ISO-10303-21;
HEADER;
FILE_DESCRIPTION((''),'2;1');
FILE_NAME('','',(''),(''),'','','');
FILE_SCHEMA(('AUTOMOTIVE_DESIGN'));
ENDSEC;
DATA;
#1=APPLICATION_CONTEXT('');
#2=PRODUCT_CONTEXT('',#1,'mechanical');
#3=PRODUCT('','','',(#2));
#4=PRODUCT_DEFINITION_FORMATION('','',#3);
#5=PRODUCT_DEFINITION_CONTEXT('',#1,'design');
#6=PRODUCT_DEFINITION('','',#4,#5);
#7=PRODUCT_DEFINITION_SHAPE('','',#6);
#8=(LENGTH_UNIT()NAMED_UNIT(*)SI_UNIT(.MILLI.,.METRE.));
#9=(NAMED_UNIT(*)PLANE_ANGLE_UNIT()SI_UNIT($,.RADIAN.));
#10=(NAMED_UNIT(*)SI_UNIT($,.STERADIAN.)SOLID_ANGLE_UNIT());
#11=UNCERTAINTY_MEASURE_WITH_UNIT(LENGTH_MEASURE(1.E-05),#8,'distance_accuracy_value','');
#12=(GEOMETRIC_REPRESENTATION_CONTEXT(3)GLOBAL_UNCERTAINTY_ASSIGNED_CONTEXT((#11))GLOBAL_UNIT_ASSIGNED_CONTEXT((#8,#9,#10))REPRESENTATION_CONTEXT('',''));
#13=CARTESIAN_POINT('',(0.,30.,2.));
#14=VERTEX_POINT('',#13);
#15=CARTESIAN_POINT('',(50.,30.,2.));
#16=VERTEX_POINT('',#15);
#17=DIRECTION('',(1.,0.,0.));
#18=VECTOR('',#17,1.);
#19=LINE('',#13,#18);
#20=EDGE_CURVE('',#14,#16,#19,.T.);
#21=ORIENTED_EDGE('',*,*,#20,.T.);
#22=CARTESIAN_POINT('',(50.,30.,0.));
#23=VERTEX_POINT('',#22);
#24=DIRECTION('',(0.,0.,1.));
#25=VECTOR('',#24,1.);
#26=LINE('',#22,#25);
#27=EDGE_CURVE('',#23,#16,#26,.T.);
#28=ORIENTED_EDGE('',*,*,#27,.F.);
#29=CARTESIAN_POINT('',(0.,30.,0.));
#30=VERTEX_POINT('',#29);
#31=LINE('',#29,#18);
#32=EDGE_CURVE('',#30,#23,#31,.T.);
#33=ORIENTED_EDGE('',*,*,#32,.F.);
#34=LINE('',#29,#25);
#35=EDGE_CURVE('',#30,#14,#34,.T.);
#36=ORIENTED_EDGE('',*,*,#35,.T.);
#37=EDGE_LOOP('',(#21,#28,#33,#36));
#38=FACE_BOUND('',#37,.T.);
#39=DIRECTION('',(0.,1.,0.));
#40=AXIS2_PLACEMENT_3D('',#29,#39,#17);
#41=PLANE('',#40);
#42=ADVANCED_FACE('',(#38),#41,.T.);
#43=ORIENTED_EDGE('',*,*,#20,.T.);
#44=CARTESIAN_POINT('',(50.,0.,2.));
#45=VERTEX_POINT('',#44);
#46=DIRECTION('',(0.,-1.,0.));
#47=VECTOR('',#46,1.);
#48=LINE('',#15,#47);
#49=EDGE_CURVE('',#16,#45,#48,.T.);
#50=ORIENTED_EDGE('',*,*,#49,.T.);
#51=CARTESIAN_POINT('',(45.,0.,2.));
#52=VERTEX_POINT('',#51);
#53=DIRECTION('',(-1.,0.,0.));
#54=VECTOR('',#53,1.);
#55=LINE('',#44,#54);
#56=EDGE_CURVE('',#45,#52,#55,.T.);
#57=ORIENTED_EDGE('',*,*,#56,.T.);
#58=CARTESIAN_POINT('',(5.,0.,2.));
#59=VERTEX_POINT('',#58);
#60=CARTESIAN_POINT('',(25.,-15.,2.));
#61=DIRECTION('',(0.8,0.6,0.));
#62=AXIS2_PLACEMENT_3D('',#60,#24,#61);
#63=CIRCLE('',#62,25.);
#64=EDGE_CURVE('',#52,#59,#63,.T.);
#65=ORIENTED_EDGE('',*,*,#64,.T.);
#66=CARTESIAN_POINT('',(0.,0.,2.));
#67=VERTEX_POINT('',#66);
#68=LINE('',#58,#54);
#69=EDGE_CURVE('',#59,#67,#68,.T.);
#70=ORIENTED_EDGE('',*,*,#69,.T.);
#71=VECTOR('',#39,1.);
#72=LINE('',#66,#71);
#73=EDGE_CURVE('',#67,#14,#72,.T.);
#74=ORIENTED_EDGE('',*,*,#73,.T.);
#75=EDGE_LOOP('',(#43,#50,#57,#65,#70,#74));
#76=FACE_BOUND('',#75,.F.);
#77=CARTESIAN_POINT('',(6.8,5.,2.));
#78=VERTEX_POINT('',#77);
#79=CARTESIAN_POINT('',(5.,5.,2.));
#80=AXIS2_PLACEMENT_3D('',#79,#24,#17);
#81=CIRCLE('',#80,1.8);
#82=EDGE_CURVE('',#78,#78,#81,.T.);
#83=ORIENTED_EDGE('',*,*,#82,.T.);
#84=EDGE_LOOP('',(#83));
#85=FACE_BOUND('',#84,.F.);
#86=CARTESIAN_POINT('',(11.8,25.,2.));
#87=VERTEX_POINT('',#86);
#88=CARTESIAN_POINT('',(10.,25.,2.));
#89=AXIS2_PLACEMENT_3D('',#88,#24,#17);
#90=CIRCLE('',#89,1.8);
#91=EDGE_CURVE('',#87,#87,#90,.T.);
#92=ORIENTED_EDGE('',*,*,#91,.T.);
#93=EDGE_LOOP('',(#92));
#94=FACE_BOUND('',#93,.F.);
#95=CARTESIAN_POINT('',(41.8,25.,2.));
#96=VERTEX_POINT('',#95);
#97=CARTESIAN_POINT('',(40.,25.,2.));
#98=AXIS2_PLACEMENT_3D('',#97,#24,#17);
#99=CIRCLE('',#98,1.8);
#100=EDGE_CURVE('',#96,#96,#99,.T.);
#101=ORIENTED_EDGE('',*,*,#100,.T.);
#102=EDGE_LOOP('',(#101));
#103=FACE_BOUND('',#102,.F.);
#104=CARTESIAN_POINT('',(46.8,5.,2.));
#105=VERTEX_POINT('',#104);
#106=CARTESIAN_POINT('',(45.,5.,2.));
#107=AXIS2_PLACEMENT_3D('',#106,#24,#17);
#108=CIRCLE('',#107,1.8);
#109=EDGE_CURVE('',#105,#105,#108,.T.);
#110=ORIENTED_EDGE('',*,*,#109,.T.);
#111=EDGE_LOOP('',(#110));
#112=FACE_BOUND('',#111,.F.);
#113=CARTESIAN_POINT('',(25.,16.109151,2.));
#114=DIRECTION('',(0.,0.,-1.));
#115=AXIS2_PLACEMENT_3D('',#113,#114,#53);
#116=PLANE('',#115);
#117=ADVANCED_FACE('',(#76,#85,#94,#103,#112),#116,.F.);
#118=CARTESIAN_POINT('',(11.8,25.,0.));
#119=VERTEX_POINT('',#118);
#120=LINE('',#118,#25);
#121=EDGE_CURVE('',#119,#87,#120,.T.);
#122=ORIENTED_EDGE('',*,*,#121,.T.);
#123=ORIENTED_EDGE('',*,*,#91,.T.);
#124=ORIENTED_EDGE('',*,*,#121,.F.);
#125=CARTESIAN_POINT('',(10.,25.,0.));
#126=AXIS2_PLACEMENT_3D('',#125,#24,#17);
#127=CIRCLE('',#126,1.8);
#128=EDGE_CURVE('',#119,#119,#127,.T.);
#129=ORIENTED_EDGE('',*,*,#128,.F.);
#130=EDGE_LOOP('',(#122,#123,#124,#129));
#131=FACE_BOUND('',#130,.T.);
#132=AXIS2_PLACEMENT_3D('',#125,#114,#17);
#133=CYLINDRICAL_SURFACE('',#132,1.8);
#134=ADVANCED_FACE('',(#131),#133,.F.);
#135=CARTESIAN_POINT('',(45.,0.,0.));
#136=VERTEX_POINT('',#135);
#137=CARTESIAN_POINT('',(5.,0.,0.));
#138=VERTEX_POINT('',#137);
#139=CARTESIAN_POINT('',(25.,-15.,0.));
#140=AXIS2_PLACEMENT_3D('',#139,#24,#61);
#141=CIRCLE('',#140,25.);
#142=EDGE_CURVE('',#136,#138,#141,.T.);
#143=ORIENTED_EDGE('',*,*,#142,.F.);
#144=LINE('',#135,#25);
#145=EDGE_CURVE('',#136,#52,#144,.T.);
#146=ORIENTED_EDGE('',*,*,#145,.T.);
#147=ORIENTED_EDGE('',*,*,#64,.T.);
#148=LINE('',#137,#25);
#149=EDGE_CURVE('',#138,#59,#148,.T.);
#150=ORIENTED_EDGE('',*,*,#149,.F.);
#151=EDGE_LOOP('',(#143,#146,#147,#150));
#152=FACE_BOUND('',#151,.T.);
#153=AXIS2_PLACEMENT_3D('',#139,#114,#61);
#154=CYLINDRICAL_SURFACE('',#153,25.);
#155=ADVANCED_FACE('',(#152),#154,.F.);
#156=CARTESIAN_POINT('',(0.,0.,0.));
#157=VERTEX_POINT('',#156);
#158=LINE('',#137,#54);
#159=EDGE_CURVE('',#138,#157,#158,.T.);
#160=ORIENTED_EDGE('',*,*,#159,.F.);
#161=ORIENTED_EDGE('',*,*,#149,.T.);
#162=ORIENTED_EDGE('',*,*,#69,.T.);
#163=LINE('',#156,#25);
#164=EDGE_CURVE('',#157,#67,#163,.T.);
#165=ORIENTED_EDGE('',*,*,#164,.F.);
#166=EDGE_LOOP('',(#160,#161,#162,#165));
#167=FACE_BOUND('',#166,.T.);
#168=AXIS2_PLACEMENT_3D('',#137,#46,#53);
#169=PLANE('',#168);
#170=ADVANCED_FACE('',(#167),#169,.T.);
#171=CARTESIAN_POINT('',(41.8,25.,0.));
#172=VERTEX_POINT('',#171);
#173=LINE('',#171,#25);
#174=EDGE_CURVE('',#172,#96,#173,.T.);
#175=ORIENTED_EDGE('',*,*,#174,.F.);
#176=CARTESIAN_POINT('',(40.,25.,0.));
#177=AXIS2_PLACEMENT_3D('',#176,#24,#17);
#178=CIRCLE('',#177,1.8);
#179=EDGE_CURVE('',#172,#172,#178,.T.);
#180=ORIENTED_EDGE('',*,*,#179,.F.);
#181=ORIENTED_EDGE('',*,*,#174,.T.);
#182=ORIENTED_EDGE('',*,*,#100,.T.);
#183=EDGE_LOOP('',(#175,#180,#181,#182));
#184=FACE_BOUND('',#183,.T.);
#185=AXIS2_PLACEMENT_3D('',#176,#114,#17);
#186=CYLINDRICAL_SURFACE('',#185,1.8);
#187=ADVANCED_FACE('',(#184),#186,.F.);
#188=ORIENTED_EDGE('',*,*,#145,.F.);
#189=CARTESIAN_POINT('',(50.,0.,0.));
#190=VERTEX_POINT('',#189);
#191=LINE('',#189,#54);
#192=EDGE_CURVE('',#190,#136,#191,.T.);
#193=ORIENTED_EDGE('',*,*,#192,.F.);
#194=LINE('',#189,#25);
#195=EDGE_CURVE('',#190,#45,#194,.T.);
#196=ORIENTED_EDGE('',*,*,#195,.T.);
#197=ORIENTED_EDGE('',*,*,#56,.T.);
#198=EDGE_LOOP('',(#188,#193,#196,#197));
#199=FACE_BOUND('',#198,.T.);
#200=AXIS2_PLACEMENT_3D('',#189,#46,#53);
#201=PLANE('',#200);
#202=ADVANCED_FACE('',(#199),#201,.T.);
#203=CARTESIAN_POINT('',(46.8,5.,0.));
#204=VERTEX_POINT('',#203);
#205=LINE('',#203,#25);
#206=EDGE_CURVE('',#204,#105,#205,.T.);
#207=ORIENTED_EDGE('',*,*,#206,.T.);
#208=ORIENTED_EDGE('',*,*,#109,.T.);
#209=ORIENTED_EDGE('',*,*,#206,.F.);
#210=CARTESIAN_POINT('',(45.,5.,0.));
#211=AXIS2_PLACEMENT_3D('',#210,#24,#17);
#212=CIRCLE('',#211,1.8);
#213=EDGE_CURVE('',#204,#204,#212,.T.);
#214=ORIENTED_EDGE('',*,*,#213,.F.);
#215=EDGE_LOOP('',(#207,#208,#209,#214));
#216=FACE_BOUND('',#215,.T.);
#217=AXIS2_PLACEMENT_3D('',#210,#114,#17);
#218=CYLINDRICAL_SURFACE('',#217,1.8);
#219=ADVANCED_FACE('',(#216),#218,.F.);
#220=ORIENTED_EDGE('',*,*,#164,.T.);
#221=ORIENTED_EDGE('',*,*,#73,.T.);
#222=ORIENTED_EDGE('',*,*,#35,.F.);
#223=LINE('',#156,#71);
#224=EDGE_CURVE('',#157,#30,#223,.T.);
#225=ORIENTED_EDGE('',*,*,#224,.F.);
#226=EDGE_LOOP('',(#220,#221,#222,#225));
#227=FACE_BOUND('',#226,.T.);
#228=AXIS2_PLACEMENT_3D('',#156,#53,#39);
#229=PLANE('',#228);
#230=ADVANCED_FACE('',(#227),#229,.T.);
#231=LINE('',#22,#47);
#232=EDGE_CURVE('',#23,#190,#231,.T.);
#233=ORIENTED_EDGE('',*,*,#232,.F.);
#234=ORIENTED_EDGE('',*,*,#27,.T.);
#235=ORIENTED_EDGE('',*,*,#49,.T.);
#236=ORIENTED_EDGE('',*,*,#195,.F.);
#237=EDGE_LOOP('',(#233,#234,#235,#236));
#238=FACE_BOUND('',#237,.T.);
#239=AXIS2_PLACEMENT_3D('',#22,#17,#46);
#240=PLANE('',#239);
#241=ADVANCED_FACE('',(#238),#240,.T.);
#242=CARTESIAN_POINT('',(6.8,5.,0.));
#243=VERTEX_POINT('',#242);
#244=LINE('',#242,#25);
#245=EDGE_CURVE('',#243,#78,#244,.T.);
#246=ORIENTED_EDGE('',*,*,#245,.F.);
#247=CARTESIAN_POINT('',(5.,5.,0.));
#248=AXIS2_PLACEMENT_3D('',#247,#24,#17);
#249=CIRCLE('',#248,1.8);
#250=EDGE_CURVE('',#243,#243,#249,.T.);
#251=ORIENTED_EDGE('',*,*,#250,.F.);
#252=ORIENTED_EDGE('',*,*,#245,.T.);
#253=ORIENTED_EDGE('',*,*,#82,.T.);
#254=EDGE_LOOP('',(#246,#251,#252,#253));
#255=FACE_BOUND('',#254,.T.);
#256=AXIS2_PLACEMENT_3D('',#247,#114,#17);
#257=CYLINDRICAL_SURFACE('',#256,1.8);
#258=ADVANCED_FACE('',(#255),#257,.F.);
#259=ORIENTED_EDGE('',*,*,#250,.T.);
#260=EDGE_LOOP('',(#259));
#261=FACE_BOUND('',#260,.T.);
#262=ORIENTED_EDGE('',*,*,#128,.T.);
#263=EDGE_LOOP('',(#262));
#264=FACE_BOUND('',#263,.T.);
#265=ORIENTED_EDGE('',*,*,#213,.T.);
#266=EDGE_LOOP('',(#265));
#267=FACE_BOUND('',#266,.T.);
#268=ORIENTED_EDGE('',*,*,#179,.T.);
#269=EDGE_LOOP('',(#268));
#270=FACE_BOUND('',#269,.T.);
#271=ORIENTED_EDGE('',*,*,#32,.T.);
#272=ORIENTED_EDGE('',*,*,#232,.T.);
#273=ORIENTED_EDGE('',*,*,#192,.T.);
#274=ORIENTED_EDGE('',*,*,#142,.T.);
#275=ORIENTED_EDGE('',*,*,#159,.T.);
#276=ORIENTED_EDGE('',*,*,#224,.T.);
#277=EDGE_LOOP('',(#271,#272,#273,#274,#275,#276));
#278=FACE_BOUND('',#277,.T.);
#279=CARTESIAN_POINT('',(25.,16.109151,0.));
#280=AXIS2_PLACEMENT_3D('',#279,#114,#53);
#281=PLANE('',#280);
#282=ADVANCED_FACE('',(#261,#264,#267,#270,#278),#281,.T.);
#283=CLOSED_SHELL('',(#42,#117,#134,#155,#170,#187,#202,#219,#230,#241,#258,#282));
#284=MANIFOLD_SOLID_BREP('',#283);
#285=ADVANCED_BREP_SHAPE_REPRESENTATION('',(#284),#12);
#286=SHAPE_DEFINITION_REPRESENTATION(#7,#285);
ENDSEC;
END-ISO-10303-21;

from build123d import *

# Parameters (mm, degrees)
SKETCH_R  = 1.8
PAD_DEPTH = 2


with BuildPart() as part:
    # Sketch → Pad (new body)
    with BuildSketch(Plane.XY):
        with BuildLine():
            Line((5, 0), (0, 0))
            Line((0, 0), (0, 30))
            Line((0, 30), (50, 30))
            Line((50, 30), (50, 0))
            Line((50, 0), (45, 0))
            ThreePointArc((45, 0), (25, 10), (5, 0))
        make_face()
        with Locations((5, 5)):
            Circle(SKETCH_R, mode=Mode.SUBTRACT)
        with Locations((45, 5)):
            Circle(SKETCH_R, mode=Mode.SUBTRACT)
        with Locations((40, 25)):
            Circle(SKETCH_R, mode=Mode.SUBTRACT)
        with Locations((10, 25)):
            Circle(SKETCH_R, mode=Mode.SUBTRACT)
    extrude(amount=PAD_DEPTH)


solid = part.part
